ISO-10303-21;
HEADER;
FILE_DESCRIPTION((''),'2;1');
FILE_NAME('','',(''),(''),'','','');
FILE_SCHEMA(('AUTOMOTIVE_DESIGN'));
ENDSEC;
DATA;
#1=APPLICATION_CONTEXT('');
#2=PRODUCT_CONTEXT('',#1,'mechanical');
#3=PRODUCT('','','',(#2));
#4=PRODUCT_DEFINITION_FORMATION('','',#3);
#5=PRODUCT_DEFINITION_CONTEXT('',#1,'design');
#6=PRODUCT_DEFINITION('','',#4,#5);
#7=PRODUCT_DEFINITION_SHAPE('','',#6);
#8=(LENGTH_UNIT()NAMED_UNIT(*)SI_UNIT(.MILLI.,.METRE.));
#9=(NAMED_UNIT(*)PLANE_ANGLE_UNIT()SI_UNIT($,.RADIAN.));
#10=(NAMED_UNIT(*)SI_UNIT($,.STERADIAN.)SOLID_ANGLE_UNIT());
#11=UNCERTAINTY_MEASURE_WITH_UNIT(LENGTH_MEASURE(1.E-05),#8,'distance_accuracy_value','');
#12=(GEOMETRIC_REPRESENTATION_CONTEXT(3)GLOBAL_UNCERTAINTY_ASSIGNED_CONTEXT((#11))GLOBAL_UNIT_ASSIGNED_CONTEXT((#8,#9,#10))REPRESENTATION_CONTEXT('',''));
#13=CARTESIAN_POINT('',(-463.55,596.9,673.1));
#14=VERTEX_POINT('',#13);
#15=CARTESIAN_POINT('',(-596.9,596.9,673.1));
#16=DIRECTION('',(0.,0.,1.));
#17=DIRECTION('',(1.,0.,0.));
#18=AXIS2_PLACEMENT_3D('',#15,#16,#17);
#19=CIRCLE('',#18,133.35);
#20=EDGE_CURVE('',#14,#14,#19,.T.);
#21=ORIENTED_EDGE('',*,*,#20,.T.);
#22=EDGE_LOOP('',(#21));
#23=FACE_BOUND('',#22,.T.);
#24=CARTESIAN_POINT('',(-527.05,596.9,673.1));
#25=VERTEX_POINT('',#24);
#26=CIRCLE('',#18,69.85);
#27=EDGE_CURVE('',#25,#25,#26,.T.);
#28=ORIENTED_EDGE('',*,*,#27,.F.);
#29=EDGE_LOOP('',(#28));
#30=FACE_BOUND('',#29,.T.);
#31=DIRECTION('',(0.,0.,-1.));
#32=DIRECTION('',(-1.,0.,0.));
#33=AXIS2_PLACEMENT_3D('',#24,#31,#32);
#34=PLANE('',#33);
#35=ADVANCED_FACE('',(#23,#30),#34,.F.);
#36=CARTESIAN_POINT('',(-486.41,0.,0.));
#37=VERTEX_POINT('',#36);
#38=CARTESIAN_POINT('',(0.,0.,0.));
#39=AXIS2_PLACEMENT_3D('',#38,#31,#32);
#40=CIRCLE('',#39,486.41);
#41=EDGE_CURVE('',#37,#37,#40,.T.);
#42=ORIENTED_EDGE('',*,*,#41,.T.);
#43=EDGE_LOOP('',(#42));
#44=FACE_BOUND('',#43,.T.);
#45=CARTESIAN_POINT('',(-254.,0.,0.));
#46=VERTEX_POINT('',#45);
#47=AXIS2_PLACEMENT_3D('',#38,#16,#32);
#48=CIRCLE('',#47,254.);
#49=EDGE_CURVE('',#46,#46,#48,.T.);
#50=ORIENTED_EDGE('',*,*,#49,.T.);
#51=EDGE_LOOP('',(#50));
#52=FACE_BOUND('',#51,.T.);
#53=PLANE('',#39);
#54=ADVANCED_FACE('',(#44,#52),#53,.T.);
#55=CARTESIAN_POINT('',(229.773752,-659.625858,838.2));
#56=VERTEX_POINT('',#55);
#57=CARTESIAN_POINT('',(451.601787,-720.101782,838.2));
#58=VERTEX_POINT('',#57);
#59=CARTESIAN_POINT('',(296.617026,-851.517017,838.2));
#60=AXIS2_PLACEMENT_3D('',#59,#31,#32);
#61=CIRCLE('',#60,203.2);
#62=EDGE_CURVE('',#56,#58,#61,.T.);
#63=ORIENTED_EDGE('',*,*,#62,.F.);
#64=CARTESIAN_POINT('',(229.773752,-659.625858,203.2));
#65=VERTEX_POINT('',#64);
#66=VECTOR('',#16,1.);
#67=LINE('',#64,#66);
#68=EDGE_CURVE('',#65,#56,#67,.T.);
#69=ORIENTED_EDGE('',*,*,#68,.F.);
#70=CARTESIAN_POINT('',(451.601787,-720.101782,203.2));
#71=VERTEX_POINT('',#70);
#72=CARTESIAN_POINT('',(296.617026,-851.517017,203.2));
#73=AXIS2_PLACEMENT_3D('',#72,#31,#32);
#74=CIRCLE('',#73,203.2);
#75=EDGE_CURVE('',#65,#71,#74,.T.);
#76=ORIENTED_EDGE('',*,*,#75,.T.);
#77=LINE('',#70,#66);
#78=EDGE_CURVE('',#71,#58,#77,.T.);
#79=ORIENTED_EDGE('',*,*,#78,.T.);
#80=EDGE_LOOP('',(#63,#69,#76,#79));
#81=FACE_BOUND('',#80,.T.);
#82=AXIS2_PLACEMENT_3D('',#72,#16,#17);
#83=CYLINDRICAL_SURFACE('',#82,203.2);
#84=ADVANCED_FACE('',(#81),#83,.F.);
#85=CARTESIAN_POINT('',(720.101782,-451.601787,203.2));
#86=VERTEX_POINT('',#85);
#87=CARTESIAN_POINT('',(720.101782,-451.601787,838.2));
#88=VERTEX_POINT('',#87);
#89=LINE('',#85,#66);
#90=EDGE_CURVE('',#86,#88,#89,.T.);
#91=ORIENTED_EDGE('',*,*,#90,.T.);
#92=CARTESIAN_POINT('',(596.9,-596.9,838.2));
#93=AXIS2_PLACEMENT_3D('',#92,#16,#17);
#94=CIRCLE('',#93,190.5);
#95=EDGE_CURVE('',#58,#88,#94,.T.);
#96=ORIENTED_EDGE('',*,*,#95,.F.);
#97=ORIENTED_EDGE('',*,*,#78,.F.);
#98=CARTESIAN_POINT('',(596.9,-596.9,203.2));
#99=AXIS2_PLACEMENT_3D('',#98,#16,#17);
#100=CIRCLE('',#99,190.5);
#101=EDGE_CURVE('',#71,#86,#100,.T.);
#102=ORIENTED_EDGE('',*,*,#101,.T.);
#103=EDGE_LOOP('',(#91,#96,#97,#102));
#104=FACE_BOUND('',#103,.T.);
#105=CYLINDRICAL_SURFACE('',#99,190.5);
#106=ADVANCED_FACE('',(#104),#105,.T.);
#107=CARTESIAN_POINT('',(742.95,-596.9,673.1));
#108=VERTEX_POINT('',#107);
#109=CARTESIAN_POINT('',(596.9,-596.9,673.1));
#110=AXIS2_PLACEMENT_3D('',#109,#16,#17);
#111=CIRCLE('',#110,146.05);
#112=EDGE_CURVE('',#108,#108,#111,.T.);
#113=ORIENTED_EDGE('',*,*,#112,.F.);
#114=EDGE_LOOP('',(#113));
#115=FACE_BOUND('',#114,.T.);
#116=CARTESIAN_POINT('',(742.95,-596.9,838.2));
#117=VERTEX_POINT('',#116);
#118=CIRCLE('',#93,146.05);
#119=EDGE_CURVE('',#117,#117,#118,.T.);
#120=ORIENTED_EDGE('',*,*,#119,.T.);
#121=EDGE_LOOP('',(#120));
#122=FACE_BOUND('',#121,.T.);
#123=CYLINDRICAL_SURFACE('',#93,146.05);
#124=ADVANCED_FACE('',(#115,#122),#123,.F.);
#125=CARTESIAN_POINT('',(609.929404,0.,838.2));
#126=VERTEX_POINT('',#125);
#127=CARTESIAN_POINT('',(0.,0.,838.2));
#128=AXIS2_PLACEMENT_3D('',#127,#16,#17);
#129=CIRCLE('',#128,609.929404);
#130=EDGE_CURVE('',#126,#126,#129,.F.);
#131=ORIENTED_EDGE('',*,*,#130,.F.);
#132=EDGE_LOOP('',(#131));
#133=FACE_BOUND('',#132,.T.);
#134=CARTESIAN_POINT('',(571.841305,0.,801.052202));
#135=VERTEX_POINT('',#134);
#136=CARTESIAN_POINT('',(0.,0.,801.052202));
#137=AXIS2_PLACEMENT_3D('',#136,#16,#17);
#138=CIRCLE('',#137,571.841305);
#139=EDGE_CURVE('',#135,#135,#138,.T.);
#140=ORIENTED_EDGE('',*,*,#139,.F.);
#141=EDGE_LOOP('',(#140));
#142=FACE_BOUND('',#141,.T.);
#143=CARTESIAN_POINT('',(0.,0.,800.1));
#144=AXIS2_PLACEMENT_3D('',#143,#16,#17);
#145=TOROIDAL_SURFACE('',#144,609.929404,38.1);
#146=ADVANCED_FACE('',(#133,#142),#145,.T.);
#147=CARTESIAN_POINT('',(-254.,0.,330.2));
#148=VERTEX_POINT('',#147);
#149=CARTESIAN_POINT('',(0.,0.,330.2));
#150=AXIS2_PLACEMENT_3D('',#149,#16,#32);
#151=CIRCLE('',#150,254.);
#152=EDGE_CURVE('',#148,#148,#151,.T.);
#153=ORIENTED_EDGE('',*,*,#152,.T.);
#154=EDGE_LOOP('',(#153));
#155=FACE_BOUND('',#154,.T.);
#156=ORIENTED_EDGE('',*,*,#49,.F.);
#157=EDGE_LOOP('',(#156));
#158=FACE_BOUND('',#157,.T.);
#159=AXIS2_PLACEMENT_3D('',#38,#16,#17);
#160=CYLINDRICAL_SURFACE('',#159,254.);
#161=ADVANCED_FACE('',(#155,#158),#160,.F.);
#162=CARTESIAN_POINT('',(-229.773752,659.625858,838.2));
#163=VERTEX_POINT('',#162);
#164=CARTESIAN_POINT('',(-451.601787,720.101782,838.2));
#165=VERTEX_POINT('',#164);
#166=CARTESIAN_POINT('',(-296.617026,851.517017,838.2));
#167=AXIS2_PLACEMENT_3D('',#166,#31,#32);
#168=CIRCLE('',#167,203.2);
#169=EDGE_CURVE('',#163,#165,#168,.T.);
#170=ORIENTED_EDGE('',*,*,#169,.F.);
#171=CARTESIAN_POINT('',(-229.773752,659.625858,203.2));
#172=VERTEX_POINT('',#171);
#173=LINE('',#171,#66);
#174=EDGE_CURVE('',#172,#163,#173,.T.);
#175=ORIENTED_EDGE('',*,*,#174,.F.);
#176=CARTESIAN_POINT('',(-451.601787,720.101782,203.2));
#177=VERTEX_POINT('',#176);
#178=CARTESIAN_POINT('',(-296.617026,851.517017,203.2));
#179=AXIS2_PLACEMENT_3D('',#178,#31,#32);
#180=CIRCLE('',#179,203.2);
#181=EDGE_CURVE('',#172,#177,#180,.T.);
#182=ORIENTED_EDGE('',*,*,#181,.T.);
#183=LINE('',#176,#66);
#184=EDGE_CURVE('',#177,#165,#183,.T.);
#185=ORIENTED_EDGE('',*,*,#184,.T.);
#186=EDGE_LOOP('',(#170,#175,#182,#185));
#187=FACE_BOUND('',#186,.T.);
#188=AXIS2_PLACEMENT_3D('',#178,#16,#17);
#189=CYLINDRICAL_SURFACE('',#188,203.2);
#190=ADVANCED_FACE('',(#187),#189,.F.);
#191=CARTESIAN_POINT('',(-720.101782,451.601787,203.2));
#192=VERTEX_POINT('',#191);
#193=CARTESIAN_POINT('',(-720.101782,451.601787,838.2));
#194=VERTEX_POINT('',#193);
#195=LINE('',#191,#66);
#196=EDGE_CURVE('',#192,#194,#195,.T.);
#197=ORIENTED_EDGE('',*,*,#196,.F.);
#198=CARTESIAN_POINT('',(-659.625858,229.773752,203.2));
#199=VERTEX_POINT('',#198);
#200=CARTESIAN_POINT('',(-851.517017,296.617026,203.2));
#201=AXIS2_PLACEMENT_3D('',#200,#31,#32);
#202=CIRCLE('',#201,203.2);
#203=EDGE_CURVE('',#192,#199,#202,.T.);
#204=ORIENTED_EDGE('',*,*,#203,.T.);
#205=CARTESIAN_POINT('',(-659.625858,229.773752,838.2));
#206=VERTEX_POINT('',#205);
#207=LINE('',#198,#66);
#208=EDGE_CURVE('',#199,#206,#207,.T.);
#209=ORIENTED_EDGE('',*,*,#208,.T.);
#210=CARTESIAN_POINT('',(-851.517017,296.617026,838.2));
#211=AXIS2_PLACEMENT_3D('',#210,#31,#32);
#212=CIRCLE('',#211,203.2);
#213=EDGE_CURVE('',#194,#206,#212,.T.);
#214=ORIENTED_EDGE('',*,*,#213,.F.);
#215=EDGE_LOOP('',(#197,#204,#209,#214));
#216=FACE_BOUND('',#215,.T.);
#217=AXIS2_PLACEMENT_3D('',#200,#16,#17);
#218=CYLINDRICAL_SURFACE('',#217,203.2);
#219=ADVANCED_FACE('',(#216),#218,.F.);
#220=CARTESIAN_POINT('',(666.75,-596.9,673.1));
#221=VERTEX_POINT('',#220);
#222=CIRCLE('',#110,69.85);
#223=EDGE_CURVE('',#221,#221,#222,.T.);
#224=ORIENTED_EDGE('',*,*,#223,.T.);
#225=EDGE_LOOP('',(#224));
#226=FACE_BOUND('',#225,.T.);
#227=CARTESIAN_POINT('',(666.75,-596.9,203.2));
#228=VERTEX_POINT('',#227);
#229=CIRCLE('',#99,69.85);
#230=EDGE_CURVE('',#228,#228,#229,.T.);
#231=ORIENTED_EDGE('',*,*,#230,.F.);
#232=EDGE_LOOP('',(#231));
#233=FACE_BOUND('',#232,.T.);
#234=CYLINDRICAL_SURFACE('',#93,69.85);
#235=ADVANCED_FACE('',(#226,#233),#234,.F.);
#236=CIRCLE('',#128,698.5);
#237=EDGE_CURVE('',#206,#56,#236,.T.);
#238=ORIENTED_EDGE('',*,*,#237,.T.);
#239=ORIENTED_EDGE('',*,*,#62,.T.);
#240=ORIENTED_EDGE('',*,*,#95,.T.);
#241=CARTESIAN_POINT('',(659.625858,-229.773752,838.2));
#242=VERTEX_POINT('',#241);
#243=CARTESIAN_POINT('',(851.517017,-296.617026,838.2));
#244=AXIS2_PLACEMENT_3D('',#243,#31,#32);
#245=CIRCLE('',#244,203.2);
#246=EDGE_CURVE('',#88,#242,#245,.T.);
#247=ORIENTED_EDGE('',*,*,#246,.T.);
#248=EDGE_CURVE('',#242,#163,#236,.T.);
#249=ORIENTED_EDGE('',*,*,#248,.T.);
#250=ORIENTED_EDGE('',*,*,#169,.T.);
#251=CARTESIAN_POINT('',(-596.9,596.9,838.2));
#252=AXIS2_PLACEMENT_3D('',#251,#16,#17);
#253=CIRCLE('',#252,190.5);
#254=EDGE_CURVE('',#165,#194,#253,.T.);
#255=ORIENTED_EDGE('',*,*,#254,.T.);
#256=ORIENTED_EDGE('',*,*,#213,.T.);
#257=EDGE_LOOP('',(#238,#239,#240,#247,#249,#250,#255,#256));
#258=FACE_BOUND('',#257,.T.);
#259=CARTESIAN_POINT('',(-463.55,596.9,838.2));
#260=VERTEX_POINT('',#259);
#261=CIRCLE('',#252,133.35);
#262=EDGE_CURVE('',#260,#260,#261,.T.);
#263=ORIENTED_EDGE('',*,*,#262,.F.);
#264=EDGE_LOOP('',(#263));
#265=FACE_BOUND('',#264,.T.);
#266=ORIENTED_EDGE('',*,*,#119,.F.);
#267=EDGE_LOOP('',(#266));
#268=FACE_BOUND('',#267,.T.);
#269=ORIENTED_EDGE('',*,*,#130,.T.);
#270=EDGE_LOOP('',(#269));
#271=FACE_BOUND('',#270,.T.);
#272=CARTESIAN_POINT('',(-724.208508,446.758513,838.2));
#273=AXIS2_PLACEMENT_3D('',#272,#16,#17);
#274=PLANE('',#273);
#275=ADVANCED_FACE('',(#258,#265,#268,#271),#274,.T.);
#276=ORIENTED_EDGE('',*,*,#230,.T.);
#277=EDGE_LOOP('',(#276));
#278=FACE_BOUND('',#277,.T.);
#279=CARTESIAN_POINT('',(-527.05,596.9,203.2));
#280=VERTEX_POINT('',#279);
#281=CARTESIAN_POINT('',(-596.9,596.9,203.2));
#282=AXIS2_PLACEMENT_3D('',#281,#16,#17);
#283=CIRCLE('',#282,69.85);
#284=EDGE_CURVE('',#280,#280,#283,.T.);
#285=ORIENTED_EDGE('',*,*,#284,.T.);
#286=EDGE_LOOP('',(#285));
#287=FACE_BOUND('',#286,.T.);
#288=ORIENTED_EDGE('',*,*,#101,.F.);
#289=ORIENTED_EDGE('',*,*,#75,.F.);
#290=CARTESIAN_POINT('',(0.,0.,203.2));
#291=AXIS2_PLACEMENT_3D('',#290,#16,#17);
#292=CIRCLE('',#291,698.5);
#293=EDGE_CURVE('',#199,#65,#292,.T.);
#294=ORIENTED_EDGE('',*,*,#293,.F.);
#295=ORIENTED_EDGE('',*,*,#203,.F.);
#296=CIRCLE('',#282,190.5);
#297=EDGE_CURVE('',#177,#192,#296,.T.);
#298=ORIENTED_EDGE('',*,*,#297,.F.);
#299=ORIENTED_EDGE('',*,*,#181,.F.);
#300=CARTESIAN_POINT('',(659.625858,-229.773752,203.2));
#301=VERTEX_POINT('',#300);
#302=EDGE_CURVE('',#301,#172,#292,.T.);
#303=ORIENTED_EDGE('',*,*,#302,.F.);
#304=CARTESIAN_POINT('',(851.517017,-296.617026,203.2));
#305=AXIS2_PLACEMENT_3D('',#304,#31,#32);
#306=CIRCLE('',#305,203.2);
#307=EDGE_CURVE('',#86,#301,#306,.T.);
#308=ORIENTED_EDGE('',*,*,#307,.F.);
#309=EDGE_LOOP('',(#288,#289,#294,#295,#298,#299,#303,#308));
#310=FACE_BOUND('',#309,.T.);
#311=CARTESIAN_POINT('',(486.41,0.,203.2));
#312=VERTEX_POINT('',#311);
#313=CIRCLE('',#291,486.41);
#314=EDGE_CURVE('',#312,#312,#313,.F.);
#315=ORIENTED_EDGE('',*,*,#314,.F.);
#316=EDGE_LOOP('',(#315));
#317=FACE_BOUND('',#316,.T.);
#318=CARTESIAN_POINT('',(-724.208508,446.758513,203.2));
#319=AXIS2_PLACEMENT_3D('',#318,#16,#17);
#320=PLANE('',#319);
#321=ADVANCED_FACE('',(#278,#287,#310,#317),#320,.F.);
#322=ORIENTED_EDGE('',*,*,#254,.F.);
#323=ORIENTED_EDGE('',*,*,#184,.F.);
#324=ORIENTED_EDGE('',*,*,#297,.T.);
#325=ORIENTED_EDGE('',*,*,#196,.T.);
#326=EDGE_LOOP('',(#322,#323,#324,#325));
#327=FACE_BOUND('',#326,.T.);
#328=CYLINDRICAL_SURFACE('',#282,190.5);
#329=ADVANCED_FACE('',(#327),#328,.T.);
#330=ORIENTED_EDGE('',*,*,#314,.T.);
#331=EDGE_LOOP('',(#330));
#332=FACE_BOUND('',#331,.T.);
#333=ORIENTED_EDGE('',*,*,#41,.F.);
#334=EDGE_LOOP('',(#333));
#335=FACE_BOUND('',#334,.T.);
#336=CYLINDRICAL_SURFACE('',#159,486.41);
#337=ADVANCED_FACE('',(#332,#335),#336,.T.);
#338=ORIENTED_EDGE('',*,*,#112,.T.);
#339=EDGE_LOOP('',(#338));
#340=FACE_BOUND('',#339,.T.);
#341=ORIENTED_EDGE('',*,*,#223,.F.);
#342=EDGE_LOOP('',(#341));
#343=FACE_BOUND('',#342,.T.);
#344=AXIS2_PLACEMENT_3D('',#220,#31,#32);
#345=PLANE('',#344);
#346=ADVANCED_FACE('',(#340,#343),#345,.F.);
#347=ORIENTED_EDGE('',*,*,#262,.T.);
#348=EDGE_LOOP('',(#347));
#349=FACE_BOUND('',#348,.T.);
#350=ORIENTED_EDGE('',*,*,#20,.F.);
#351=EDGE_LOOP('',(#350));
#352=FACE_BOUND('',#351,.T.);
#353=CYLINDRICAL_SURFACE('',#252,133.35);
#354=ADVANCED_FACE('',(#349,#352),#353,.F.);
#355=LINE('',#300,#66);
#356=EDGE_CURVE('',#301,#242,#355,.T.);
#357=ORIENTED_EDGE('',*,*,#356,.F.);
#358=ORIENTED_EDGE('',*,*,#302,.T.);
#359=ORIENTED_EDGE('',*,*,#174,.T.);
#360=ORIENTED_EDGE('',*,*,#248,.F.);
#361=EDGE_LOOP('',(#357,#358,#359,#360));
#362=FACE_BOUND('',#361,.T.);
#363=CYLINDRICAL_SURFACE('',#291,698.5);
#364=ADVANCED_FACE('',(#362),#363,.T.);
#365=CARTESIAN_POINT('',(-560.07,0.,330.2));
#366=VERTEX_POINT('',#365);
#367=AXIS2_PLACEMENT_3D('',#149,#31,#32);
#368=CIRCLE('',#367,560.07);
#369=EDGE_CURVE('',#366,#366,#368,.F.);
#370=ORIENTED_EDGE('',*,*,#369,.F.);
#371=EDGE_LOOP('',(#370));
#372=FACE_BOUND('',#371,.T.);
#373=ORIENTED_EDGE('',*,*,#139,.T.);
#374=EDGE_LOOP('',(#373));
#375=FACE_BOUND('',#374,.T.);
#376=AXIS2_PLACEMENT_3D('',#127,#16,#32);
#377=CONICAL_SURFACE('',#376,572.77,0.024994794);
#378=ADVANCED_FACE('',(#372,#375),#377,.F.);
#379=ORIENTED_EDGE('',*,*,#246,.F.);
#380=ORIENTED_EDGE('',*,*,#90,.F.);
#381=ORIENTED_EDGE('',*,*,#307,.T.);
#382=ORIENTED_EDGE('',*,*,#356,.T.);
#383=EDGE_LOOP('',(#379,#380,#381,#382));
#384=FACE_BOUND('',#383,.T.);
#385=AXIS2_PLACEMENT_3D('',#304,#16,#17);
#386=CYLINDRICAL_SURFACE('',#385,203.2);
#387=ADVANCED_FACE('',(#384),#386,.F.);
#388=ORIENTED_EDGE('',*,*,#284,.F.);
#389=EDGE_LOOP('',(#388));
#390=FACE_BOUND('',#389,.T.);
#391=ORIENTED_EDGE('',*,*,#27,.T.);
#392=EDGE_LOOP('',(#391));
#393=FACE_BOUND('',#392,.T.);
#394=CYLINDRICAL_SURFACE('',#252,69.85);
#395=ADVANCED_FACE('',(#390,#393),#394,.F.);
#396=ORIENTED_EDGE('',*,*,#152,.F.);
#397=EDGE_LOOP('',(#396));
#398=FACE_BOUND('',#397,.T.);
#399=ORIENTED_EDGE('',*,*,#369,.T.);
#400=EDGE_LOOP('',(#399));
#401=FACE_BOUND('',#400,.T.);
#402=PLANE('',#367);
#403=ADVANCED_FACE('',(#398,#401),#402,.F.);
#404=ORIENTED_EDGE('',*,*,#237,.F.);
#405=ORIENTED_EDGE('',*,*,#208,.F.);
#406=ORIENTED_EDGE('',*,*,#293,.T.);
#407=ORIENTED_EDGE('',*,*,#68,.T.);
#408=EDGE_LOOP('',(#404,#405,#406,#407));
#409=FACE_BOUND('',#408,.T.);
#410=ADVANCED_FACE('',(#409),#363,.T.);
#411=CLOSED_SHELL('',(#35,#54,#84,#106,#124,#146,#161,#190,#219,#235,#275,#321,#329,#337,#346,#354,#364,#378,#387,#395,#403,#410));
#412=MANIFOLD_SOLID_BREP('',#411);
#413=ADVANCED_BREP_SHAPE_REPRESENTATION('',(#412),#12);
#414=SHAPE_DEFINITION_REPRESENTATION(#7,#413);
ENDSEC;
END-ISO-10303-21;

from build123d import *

# Parameters (mm, degrees)
BOSS_EXTRU_1_DEPTH      = 635
ESQUISSE2_R             = 486.41
BOSS_EXTRU_2_DEPTH      = 203.2
ESQUISSE3_R             = 572.77
ENL_V_MAT_EXTRU_1_DEPTH = 508
ENL_V_MAT_EXTRU_1_TAPER = 1.432096184
ESQUISSE4_R             = 254
ENL_V_MAT_EXTRU_2_DEPTH = 331.2
PER_AGE1_D              = 139.7
PER_AGE1_DEPTH          = 838.2
PER_AGE1_CBORE_D        = 266.7
PER_AGE1_CBORE_DEPTH    = 165.1
PER_AGE2_D              = 139.7
PER_AGE2_DEPTH          = 838.2
PER_AGE2_CBORE_D        = 292.1
PER_AGE2_CBORE_DEPTH    = 165.1
CONG_1_R                = 38.1


with BuildPart() as part:
    # Esquisse1 → Boss.-Extru.1 (new body)
    with BuildSketch(Plane.XY.offset(838.2)):
        with BuildLine():
            ThreePointArc((-720.101782381, 451.601786597), (-655.471932336, 350.063866609), (-659.625858178, 229.773752251))
            ThreePointArc((-659.625858178, 229.773752251), (-493.914086659, -493.914086659), (229.773752251, -659.625858178))
            ThreePointArc((229.773752251, -659.625858178), (350.063866609, -655.471932336), (451.601786597, -720.101782381))
            ThreePointArc((451.601786597, -720.101782381), (731.603841816, -731.603841816), (720.101782381, -451.601786597))
            ThreePointArc((720.101782381, -451.601786597), (655.471932336, -350.063866609), (659.625858178, -229.773752251))
            ThreePointArc((659.625858178, -229.773752251), (493.914086659, 493.914086659), (-229.773752251, 659.625858178))
            ThreePointArc((-229.773752251, 659.625858178), (-350.063866609, 655.471932336), (-451.601786597, 720.101782381))
            ThreePointArc((-451.601786597, 720.101782381), (-731.603841816, 731.603841816), (-720.101782381, 451.601786597))
        make_face()
    extrude(amount=-BOSS_EXTRU_1_DEPTH)

    # Esquisse2 → Boss.-Extru.2 (add)
    with BuildSketch(Plane(origin=(0, 0, 203.2), x_dir=(-1, 0, 0), z_dir=(0, 0, -1))):
        Circle(ESQUISSE2_R)
    extrude(amount=BOSS_EXTRU_2_DEPTH)

    # Esquisse3 → Enlèv. mat.-Extru.1 (cut)
    with BuildSketch(Plane.XY.offset(838.2)):
        Circle(ESQUISSE3_R)
    extrude(amount=-ENL_V_MAT_EXTRU_1_DEPTH, taper=ENL_V_MAT_EXTRU_1_TAPER, mode=Mode.SUBTRACT)

    # Esquisse4 → Enlèv. mat.-Extru.2 (cut, through all)
    with BuildSketch(Plane.XY.offset(330.2)):
        Circle(ESQUISSE4_R)
    extrude(amount=-ENL_V_MAT_EXTRU_2_DEPTH, mode=Mode.SUBTRACT)

    # Perçage1
    with Locations(Plane.XY.offset(838.2)):
        with Locations((-596.9, 596.9)):
            CounterBoreHole(PER_AGE1_D / 2, PER_AGE1_CBORE_D / 2, PER_AGE1_CBORE_DEPTH, depth=PER_AGE1_DEPTH)

    # Perçage2
    with Locations(Plane.XY.offset(838.2)):
        with Locations((596.9, -596.9)):
            CounterBoreHole(PER_AGE2_D / 2, PER_AGE2_CBORE_D / 2, PER_AGE2_CBORE_DEPTH, depth=PER_AGE2_DEPTH)

    # Congé1
    cong_1_edges = [part.edges().sort_by_distance(p)[0] for p in [
        (-572.77, 0, 838.2),
    ]]
    fillet(cong_1_edges, radius=CONG_1_R)


solid = part.part
